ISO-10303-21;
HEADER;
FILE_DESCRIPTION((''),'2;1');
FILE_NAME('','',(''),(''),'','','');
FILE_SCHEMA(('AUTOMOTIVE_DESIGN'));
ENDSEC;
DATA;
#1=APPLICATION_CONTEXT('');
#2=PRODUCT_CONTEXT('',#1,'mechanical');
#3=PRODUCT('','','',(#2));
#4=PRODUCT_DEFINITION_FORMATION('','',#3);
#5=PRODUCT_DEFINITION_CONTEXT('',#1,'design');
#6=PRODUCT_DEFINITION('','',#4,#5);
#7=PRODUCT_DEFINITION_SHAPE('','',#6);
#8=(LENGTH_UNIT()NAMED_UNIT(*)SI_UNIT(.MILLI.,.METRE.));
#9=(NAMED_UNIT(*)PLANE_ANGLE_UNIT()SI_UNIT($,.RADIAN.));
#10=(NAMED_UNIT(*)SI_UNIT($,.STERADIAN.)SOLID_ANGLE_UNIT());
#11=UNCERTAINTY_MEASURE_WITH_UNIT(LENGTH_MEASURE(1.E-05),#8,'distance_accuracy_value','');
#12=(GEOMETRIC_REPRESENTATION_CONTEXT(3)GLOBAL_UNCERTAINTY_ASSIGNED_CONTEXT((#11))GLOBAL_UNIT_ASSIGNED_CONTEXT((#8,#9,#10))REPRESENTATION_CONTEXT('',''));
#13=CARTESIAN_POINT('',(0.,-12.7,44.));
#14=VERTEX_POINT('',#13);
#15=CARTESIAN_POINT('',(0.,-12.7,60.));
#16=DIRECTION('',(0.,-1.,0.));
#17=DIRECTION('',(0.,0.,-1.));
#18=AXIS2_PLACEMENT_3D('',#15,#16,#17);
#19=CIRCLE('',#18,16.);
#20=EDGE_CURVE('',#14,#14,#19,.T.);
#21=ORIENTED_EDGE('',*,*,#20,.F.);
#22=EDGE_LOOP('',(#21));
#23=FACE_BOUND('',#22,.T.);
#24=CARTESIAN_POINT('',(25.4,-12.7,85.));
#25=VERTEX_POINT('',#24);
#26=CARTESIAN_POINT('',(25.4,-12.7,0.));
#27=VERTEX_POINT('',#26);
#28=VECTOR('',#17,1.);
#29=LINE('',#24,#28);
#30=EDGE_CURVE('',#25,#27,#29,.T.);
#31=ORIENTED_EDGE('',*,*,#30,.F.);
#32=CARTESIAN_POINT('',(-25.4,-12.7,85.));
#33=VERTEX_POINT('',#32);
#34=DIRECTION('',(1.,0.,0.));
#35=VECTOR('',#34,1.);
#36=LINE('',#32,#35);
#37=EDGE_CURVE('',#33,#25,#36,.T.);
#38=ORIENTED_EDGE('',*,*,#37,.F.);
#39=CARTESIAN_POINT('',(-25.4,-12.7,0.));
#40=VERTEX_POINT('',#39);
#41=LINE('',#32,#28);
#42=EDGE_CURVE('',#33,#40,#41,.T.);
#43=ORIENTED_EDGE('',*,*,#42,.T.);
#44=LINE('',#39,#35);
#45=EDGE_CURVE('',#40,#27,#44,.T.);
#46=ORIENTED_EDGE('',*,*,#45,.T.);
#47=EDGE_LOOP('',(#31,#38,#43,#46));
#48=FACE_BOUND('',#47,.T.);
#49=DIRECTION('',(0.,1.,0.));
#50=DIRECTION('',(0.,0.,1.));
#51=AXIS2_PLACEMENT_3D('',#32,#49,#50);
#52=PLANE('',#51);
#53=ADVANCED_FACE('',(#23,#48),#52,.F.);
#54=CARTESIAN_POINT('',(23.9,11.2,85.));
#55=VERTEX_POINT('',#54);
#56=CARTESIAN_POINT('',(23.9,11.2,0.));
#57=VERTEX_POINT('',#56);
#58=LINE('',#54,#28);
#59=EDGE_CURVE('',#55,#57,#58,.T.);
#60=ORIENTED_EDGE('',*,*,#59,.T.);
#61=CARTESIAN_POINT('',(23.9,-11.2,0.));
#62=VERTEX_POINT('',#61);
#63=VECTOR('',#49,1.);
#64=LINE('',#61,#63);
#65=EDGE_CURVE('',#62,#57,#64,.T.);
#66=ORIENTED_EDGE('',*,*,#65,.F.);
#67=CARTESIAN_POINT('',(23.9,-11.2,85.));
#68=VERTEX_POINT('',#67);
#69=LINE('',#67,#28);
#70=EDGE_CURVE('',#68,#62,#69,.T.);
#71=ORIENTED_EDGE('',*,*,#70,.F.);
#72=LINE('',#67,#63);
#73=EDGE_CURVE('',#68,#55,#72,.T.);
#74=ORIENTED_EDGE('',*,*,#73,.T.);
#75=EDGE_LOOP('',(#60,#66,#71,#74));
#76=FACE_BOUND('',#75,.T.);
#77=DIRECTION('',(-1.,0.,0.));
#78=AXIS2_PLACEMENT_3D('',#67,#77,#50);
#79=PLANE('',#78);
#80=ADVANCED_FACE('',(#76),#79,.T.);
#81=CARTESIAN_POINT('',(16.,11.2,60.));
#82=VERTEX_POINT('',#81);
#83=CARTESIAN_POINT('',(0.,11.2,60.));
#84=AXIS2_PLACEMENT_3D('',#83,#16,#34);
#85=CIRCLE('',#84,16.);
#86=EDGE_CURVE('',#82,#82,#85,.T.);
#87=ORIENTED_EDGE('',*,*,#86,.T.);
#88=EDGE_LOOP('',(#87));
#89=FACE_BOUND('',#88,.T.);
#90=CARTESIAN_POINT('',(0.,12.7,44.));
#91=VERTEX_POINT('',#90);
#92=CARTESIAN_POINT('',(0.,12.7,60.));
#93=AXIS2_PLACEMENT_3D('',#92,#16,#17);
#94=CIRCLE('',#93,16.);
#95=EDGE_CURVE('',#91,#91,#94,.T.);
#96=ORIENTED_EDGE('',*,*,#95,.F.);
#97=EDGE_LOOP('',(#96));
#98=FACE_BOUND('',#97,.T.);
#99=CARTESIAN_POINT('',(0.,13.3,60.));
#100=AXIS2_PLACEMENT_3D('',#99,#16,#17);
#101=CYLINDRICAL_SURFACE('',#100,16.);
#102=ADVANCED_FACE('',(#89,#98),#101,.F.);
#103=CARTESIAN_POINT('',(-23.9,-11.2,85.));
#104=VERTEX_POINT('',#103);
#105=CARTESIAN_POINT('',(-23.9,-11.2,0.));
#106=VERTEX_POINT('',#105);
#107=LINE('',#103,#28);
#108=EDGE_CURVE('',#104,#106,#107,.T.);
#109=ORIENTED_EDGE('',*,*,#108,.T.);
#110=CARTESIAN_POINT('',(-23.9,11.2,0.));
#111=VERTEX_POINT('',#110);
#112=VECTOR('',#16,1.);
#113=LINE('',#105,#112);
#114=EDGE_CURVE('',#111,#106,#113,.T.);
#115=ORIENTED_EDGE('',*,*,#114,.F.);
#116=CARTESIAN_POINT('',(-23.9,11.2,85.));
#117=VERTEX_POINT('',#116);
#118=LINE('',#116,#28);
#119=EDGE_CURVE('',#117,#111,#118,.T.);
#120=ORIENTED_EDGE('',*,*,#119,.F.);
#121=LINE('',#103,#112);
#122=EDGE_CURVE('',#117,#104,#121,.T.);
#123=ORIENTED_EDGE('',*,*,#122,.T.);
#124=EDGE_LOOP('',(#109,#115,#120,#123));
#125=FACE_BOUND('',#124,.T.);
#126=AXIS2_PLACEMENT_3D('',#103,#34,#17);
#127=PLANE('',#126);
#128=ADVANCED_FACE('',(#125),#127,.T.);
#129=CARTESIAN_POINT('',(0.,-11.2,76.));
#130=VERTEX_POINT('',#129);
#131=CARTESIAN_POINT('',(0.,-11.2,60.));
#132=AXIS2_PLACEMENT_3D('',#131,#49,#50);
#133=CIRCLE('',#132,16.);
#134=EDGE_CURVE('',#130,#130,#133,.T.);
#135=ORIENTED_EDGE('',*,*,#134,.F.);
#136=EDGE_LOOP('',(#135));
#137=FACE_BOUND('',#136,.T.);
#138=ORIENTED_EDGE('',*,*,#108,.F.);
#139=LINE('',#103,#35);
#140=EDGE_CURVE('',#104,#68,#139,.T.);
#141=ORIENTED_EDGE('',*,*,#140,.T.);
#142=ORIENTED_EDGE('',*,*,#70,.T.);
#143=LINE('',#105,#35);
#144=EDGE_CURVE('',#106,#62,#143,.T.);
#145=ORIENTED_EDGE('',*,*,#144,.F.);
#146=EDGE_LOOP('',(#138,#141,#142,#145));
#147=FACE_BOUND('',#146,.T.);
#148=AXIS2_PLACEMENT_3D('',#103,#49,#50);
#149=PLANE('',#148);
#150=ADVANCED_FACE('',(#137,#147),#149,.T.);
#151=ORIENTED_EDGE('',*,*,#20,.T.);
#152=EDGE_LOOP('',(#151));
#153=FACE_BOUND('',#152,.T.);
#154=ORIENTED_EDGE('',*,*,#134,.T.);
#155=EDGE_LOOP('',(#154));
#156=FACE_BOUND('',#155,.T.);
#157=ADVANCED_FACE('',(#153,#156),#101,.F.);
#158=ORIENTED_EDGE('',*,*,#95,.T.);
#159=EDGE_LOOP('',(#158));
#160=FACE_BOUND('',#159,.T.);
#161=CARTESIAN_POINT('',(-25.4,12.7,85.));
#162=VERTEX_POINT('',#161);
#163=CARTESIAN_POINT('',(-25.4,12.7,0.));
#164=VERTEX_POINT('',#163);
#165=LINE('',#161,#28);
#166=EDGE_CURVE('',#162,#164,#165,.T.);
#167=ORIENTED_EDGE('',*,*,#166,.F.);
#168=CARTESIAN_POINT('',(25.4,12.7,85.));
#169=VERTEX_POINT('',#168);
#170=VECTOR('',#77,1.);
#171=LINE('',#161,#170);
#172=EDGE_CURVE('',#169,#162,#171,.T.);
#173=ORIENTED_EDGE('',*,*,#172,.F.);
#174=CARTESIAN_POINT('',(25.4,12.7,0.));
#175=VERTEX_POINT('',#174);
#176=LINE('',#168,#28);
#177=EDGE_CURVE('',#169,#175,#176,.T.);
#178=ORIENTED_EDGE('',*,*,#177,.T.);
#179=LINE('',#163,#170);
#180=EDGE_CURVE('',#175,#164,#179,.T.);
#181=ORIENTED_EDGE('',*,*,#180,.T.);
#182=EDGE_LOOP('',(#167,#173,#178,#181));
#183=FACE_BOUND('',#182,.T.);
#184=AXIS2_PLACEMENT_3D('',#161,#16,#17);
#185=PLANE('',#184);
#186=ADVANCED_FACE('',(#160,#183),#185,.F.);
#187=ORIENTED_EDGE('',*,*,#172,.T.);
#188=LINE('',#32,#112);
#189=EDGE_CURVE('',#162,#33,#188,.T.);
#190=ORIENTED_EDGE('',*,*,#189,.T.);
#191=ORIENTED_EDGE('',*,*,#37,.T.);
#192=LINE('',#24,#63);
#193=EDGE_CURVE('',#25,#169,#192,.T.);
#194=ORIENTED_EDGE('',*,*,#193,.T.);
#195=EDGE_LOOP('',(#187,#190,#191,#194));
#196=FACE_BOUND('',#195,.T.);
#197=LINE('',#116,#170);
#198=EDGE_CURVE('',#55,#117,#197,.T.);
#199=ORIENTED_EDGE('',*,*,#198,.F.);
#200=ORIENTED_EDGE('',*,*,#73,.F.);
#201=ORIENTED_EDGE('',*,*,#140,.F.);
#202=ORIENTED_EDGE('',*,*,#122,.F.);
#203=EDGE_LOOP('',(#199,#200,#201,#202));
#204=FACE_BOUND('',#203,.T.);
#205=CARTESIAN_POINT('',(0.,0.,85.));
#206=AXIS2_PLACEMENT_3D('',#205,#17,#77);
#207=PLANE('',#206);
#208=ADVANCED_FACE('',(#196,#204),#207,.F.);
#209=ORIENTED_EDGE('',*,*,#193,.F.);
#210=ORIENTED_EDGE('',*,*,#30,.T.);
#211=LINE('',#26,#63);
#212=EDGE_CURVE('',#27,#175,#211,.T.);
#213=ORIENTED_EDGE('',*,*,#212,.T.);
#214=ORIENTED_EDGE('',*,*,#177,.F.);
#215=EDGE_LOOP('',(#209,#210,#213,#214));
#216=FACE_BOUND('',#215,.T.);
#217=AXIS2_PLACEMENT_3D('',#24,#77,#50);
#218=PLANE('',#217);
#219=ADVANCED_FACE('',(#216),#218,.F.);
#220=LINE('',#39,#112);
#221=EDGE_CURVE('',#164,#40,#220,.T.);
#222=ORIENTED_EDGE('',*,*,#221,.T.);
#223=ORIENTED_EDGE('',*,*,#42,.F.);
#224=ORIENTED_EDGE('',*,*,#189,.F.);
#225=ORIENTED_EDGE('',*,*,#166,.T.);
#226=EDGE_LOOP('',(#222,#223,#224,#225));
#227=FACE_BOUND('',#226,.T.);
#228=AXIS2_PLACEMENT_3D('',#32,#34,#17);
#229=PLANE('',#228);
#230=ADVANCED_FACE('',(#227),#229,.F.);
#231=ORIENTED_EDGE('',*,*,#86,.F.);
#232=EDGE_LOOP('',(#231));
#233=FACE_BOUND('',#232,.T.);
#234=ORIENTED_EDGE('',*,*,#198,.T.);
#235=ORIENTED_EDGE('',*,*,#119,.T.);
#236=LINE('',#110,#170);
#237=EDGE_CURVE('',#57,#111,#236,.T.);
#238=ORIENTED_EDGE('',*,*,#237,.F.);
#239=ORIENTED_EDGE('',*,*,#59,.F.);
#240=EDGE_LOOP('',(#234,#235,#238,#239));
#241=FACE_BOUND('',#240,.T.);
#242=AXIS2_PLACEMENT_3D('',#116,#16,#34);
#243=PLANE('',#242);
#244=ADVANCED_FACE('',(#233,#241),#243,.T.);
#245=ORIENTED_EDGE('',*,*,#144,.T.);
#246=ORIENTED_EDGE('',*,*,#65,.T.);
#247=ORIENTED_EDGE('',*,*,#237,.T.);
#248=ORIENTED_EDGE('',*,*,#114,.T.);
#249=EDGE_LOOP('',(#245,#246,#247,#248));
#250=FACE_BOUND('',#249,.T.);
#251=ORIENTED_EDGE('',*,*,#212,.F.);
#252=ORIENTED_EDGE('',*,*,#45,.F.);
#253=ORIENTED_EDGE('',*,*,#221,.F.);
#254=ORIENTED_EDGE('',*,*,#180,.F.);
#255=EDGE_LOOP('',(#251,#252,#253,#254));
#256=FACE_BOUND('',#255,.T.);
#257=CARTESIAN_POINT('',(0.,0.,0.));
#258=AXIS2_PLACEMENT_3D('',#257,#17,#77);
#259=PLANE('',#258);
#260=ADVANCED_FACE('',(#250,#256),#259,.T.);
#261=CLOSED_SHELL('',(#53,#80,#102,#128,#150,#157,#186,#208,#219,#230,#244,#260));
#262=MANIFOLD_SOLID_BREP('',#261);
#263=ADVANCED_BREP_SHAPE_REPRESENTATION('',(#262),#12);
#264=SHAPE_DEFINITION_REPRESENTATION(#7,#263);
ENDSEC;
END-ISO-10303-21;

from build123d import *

# Parameters (mm, degrees)
CROQUIS1_W              = 50.8
CROQUIS1_H              = 25.4
CROQUIS1_W_2            = 47.8
CROQUIS1_H_2            = 22.4
SALIENTE_EXTRUIR1_DEPTH = 85
CROQUIS2_R              = 16
CORTAR_EXTRUIR1_DEPTH   = 26


with BuildPart() as part:
    # Croquis1 → Saliente-Extruir1 (new body)
    with BuildSketch(Plane.XY):
        Rectangle(CROQUIS1_W, CROQUIS1_H)
        Rectangle(CROQUIS1_W_2, CROQUIS1_H_2, mode=Mode.SUBTRACT)
    extrude(amount=SALIENTE_EXTRUIR1_DEPTH)

    # Croquis2 → Cortar-Extruir1 (cut)
    with BuildSketch(Plane(origin=(0, -12.7, 0), x_dir=(-1, 0, 0), z_dir=(0, -1, 0))):
        with Locations((0, -60)):
            Circle(CROQUIS2_R)
    extrude(amount=-CORTAR_EXTRUIR1_DEPTH, mode=Mode.SUBTRACT)


solid = part.part
